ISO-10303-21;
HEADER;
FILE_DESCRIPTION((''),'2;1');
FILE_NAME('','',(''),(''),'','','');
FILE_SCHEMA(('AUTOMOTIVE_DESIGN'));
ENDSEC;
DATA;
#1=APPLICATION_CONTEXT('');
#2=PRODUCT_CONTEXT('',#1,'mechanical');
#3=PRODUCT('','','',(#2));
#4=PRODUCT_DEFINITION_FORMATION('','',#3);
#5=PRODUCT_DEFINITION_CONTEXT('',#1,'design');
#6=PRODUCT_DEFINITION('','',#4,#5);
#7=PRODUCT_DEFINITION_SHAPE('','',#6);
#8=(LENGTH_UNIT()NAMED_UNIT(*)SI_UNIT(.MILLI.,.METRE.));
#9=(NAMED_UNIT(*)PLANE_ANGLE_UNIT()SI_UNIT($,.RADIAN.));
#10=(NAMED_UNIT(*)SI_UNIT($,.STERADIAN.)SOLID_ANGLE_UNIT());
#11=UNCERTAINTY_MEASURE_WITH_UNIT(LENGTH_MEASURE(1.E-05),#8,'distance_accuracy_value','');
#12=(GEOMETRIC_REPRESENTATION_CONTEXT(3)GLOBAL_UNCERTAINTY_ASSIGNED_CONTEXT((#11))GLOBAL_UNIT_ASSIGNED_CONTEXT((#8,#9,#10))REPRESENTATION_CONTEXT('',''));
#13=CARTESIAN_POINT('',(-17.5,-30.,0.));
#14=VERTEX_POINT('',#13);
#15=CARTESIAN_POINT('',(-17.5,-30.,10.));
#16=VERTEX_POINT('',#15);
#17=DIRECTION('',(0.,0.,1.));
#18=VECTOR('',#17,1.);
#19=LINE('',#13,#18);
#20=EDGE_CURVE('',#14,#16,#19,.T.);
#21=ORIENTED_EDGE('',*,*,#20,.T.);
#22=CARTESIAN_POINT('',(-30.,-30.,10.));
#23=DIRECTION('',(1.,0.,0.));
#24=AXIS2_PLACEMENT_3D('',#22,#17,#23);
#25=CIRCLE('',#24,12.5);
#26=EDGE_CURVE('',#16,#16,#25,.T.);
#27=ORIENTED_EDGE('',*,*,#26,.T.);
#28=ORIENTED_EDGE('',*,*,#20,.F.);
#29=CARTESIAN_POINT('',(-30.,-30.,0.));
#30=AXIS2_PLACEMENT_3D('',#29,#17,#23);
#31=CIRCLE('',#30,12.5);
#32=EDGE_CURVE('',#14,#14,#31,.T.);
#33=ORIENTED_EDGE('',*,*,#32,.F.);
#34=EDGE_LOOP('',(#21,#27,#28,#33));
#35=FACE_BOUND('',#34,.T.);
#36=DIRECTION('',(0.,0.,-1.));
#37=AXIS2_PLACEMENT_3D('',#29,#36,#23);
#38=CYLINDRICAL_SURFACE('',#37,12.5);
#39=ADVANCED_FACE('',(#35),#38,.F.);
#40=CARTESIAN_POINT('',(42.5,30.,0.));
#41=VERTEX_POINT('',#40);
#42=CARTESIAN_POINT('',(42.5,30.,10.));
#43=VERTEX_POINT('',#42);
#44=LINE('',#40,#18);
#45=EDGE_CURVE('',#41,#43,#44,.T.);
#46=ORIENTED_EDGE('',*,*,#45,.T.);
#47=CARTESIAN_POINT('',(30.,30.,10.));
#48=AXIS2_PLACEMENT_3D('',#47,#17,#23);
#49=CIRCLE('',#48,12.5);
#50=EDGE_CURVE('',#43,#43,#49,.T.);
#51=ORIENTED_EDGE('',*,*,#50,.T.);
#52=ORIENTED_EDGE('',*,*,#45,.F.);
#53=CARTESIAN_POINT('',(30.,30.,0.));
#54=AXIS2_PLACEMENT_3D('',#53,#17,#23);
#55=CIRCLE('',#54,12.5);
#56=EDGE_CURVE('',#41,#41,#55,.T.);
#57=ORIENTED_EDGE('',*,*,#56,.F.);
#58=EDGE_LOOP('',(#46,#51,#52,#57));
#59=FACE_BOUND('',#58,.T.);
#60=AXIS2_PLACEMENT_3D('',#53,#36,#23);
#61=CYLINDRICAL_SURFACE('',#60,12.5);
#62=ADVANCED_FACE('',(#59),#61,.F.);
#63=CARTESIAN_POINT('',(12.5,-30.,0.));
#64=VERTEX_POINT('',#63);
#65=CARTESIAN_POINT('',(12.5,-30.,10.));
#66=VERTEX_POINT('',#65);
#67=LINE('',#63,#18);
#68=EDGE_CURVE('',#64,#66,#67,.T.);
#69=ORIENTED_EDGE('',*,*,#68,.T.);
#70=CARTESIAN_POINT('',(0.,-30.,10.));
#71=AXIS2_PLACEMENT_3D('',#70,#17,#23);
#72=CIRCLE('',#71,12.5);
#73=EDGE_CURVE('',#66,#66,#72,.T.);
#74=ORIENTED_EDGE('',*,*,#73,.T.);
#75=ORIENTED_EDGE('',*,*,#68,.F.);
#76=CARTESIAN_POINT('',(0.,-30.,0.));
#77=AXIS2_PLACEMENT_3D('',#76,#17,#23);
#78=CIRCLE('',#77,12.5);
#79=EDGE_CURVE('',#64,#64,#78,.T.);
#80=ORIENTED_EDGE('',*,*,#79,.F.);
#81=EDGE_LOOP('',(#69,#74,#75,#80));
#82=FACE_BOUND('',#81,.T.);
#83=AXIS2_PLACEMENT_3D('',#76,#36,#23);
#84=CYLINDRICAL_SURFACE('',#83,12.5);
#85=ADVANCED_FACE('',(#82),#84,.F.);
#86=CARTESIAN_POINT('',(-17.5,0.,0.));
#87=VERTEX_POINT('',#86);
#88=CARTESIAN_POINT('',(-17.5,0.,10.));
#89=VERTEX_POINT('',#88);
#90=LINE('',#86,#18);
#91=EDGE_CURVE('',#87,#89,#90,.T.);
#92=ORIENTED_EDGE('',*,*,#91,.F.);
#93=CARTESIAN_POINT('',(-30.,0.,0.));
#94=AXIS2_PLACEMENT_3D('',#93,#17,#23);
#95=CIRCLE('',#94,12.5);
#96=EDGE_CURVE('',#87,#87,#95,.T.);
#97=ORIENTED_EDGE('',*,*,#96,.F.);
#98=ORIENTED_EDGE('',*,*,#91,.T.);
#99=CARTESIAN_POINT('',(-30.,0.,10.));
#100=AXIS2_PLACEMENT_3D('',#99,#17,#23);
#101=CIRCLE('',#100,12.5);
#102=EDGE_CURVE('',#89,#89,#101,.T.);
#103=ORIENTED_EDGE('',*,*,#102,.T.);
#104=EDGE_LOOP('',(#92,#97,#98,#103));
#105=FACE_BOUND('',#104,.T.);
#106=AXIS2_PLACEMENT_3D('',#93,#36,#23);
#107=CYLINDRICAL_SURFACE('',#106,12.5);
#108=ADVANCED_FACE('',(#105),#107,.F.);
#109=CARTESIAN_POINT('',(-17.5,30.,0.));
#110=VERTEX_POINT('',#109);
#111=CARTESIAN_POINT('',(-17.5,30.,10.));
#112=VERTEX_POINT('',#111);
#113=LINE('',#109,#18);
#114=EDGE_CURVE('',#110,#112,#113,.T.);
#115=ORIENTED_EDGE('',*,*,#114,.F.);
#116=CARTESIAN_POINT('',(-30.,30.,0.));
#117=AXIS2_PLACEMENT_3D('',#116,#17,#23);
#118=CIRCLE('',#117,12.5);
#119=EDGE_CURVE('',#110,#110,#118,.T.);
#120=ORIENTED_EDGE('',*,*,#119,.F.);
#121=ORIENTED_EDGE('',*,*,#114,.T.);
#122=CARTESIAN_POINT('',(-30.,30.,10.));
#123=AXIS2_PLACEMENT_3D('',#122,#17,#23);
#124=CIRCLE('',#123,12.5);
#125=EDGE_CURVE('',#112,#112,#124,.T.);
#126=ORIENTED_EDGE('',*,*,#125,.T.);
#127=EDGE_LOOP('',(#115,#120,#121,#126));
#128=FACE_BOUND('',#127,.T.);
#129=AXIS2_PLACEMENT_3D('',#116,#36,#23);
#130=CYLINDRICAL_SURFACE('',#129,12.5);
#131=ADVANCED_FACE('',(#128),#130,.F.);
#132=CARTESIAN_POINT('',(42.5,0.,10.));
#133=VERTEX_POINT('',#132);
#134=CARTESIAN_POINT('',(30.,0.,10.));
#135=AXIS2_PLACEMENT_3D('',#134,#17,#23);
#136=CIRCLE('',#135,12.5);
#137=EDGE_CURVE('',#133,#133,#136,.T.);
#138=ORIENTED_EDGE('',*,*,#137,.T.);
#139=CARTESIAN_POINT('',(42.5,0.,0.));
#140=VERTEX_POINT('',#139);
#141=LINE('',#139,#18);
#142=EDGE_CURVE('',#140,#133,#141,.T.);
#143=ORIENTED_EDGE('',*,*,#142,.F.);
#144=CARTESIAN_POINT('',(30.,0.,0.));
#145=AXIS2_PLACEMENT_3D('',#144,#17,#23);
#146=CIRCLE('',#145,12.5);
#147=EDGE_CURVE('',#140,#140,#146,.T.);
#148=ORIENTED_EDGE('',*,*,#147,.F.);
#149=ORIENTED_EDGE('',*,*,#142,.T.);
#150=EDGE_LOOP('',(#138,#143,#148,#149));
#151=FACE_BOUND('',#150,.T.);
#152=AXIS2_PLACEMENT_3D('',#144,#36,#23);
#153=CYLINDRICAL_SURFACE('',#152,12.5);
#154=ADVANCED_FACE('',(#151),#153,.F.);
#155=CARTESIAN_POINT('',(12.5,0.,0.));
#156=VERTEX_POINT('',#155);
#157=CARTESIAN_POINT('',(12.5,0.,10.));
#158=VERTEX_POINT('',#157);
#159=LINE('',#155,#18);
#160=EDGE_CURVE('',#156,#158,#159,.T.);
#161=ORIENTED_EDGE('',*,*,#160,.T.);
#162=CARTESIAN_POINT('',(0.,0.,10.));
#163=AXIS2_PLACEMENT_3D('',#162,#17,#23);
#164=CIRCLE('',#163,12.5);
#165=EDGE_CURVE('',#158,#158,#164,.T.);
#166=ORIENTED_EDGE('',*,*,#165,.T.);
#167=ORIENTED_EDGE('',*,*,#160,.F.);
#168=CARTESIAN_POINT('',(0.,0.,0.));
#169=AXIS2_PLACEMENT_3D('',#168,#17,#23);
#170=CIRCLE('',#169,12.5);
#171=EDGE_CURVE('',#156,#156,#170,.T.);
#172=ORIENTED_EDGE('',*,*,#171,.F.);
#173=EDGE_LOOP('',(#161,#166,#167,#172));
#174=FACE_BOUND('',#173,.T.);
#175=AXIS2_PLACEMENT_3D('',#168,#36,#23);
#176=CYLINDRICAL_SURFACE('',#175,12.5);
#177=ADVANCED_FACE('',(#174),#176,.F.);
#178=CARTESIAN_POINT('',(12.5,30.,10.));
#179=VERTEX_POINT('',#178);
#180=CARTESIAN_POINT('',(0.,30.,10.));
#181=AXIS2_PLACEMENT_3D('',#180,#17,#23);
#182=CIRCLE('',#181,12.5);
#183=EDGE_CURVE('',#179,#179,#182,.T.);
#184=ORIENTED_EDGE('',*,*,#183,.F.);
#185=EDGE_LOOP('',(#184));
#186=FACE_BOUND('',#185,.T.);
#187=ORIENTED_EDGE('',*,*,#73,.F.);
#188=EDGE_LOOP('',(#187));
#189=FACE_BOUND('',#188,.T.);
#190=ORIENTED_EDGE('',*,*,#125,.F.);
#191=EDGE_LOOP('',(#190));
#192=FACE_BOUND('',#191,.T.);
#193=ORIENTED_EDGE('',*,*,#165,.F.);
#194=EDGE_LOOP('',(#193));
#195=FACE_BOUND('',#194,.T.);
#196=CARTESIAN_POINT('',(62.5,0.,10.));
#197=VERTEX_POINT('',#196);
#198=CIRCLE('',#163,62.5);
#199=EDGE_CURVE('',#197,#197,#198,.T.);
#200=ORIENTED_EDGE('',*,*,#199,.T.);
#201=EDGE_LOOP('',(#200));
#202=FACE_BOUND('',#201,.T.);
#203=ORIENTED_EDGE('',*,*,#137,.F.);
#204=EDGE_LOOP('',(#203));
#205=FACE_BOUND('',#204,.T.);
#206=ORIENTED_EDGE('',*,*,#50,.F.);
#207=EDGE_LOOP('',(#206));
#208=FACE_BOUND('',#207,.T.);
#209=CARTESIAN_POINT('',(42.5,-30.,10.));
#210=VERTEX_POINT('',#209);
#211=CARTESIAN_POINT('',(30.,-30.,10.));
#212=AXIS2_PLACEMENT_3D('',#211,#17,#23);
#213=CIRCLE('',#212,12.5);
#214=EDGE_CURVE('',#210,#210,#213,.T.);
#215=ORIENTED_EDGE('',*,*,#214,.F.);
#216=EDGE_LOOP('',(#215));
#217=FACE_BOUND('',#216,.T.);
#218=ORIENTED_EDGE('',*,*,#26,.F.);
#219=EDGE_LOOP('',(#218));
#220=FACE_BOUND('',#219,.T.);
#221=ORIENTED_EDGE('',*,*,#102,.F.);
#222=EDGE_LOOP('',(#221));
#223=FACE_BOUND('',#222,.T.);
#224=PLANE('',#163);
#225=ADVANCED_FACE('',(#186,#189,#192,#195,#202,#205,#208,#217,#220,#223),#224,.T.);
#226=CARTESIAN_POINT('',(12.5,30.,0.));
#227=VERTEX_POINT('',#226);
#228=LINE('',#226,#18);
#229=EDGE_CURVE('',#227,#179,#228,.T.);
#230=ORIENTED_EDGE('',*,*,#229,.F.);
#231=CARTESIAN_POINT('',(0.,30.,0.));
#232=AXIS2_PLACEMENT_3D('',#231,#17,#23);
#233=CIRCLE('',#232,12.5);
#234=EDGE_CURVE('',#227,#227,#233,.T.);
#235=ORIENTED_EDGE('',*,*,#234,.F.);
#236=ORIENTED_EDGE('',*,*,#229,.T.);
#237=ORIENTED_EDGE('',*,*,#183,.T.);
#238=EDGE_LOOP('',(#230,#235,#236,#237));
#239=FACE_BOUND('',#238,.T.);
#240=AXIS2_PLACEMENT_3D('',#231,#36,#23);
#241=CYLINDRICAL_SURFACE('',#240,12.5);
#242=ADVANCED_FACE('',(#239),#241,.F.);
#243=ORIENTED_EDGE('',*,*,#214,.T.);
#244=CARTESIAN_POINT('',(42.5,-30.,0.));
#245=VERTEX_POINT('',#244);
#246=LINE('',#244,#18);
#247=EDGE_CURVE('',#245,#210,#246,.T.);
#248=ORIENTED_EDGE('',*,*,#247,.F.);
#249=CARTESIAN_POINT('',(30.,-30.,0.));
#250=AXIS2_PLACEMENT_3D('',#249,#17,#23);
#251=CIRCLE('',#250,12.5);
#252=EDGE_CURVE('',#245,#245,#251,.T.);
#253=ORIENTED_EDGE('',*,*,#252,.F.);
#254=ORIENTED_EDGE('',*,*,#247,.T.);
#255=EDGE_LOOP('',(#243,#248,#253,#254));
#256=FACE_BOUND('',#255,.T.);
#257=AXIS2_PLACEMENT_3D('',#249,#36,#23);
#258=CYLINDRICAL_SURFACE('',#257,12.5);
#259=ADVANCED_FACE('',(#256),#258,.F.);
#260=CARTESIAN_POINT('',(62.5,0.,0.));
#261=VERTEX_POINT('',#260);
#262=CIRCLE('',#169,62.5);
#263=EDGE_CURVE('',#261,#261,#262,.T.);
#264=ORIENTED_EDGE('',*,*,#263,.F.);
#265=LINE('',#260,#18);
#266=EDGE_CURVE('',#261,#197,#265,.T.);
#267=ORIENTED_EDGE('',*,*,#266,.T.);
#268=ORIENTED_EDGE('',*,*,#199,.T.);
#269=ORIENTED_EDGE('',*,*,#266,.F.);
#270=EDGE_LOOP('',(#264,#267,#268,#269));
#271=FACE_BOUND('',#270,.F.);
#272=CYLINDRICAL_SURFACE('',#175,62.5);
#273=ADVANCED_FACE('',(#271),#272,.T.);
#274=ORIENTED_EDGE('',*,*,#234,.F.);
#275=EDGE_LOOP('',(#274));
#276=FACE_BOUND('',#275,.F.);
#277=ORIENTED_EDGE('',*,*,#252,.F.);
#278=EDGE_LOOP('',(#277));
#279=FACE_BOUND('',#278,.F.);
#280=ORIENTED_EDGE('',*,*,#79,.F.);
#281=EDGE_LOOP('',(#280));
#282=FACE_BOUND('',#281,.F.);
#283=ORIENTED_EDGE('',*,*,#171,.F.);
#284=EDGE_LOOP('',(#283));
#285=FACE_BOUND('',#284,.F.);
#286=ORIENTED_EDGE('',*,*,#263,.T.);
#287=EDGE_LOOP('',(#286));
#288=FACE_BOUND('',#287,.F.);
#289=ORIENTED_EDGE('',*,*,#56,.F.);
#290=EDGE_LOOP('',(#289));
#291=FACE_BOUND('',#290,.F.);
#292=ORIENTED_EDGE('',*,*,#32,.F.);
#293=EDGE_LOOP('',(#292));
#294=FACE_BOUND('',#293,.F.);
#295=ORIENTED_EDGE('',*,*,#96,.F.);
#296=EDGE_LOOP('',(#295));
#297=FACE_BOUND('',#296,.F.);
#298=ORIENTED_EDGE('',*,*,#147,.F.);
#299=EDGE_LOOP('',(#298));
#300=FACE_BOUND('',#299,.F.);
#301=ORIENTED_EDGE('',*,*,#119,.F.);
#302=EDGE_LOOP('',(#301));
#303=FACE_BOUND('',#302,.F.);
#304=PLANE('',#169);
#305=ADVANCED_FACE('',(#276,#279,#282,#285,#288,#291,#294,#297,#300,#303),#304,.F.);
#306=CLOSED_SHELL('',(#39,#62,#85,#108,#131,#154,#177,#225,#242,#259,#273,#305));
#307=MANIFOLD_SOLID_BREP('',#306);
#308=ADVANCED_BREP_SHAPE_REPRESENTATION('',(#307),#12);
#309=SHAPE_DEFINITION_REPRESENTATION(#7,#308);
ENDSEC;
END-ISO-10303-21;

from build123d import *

# Parameters (mm, degrees)
F0_R     = 62.5
F0_R_2   = 12.5
F1_DEPTH = 10


with BuildPart() as f1:
    # F0 (on Top) → F1 (new body)
    with BuildSketch(Plane.XY):
        Circle(F0_R)
        with Locations((-30, -30)):
            Circle(F0_R_2, mode=Mode.SUBTRACT)
        with Locations((0, -30)):
            Circle(F0_R_2, mode=Mode.SUBTRACT)
        with Locations((30, -30)):
            Circle(F0_R_2, mode=Mode.SUBTRACT)
        with Locations((-30, 0)):
            Circle(F0_R_2, mode=Mode.SUBTRACT)
        with Locations((-30, 30)):
            Circle(F0_R_2, mode=Mode.SUBTRACT)
        Circle(F0_R_2, mode=Mode.SUBTRACT)
        with Locations((30, 0)):
            Circle(F0_R_2, mode=Mode.SUBTRACT)
        with Locations((0, 30)):
            Circle(F0_R_2, mode=Mode.SUBTRACT)
        with Locations((30, 30)):
            Circle(F0_R_2, mode=Mode.SUBTRACT)
    extrude(amount=F1_DEPTH)


solid = f1.part
